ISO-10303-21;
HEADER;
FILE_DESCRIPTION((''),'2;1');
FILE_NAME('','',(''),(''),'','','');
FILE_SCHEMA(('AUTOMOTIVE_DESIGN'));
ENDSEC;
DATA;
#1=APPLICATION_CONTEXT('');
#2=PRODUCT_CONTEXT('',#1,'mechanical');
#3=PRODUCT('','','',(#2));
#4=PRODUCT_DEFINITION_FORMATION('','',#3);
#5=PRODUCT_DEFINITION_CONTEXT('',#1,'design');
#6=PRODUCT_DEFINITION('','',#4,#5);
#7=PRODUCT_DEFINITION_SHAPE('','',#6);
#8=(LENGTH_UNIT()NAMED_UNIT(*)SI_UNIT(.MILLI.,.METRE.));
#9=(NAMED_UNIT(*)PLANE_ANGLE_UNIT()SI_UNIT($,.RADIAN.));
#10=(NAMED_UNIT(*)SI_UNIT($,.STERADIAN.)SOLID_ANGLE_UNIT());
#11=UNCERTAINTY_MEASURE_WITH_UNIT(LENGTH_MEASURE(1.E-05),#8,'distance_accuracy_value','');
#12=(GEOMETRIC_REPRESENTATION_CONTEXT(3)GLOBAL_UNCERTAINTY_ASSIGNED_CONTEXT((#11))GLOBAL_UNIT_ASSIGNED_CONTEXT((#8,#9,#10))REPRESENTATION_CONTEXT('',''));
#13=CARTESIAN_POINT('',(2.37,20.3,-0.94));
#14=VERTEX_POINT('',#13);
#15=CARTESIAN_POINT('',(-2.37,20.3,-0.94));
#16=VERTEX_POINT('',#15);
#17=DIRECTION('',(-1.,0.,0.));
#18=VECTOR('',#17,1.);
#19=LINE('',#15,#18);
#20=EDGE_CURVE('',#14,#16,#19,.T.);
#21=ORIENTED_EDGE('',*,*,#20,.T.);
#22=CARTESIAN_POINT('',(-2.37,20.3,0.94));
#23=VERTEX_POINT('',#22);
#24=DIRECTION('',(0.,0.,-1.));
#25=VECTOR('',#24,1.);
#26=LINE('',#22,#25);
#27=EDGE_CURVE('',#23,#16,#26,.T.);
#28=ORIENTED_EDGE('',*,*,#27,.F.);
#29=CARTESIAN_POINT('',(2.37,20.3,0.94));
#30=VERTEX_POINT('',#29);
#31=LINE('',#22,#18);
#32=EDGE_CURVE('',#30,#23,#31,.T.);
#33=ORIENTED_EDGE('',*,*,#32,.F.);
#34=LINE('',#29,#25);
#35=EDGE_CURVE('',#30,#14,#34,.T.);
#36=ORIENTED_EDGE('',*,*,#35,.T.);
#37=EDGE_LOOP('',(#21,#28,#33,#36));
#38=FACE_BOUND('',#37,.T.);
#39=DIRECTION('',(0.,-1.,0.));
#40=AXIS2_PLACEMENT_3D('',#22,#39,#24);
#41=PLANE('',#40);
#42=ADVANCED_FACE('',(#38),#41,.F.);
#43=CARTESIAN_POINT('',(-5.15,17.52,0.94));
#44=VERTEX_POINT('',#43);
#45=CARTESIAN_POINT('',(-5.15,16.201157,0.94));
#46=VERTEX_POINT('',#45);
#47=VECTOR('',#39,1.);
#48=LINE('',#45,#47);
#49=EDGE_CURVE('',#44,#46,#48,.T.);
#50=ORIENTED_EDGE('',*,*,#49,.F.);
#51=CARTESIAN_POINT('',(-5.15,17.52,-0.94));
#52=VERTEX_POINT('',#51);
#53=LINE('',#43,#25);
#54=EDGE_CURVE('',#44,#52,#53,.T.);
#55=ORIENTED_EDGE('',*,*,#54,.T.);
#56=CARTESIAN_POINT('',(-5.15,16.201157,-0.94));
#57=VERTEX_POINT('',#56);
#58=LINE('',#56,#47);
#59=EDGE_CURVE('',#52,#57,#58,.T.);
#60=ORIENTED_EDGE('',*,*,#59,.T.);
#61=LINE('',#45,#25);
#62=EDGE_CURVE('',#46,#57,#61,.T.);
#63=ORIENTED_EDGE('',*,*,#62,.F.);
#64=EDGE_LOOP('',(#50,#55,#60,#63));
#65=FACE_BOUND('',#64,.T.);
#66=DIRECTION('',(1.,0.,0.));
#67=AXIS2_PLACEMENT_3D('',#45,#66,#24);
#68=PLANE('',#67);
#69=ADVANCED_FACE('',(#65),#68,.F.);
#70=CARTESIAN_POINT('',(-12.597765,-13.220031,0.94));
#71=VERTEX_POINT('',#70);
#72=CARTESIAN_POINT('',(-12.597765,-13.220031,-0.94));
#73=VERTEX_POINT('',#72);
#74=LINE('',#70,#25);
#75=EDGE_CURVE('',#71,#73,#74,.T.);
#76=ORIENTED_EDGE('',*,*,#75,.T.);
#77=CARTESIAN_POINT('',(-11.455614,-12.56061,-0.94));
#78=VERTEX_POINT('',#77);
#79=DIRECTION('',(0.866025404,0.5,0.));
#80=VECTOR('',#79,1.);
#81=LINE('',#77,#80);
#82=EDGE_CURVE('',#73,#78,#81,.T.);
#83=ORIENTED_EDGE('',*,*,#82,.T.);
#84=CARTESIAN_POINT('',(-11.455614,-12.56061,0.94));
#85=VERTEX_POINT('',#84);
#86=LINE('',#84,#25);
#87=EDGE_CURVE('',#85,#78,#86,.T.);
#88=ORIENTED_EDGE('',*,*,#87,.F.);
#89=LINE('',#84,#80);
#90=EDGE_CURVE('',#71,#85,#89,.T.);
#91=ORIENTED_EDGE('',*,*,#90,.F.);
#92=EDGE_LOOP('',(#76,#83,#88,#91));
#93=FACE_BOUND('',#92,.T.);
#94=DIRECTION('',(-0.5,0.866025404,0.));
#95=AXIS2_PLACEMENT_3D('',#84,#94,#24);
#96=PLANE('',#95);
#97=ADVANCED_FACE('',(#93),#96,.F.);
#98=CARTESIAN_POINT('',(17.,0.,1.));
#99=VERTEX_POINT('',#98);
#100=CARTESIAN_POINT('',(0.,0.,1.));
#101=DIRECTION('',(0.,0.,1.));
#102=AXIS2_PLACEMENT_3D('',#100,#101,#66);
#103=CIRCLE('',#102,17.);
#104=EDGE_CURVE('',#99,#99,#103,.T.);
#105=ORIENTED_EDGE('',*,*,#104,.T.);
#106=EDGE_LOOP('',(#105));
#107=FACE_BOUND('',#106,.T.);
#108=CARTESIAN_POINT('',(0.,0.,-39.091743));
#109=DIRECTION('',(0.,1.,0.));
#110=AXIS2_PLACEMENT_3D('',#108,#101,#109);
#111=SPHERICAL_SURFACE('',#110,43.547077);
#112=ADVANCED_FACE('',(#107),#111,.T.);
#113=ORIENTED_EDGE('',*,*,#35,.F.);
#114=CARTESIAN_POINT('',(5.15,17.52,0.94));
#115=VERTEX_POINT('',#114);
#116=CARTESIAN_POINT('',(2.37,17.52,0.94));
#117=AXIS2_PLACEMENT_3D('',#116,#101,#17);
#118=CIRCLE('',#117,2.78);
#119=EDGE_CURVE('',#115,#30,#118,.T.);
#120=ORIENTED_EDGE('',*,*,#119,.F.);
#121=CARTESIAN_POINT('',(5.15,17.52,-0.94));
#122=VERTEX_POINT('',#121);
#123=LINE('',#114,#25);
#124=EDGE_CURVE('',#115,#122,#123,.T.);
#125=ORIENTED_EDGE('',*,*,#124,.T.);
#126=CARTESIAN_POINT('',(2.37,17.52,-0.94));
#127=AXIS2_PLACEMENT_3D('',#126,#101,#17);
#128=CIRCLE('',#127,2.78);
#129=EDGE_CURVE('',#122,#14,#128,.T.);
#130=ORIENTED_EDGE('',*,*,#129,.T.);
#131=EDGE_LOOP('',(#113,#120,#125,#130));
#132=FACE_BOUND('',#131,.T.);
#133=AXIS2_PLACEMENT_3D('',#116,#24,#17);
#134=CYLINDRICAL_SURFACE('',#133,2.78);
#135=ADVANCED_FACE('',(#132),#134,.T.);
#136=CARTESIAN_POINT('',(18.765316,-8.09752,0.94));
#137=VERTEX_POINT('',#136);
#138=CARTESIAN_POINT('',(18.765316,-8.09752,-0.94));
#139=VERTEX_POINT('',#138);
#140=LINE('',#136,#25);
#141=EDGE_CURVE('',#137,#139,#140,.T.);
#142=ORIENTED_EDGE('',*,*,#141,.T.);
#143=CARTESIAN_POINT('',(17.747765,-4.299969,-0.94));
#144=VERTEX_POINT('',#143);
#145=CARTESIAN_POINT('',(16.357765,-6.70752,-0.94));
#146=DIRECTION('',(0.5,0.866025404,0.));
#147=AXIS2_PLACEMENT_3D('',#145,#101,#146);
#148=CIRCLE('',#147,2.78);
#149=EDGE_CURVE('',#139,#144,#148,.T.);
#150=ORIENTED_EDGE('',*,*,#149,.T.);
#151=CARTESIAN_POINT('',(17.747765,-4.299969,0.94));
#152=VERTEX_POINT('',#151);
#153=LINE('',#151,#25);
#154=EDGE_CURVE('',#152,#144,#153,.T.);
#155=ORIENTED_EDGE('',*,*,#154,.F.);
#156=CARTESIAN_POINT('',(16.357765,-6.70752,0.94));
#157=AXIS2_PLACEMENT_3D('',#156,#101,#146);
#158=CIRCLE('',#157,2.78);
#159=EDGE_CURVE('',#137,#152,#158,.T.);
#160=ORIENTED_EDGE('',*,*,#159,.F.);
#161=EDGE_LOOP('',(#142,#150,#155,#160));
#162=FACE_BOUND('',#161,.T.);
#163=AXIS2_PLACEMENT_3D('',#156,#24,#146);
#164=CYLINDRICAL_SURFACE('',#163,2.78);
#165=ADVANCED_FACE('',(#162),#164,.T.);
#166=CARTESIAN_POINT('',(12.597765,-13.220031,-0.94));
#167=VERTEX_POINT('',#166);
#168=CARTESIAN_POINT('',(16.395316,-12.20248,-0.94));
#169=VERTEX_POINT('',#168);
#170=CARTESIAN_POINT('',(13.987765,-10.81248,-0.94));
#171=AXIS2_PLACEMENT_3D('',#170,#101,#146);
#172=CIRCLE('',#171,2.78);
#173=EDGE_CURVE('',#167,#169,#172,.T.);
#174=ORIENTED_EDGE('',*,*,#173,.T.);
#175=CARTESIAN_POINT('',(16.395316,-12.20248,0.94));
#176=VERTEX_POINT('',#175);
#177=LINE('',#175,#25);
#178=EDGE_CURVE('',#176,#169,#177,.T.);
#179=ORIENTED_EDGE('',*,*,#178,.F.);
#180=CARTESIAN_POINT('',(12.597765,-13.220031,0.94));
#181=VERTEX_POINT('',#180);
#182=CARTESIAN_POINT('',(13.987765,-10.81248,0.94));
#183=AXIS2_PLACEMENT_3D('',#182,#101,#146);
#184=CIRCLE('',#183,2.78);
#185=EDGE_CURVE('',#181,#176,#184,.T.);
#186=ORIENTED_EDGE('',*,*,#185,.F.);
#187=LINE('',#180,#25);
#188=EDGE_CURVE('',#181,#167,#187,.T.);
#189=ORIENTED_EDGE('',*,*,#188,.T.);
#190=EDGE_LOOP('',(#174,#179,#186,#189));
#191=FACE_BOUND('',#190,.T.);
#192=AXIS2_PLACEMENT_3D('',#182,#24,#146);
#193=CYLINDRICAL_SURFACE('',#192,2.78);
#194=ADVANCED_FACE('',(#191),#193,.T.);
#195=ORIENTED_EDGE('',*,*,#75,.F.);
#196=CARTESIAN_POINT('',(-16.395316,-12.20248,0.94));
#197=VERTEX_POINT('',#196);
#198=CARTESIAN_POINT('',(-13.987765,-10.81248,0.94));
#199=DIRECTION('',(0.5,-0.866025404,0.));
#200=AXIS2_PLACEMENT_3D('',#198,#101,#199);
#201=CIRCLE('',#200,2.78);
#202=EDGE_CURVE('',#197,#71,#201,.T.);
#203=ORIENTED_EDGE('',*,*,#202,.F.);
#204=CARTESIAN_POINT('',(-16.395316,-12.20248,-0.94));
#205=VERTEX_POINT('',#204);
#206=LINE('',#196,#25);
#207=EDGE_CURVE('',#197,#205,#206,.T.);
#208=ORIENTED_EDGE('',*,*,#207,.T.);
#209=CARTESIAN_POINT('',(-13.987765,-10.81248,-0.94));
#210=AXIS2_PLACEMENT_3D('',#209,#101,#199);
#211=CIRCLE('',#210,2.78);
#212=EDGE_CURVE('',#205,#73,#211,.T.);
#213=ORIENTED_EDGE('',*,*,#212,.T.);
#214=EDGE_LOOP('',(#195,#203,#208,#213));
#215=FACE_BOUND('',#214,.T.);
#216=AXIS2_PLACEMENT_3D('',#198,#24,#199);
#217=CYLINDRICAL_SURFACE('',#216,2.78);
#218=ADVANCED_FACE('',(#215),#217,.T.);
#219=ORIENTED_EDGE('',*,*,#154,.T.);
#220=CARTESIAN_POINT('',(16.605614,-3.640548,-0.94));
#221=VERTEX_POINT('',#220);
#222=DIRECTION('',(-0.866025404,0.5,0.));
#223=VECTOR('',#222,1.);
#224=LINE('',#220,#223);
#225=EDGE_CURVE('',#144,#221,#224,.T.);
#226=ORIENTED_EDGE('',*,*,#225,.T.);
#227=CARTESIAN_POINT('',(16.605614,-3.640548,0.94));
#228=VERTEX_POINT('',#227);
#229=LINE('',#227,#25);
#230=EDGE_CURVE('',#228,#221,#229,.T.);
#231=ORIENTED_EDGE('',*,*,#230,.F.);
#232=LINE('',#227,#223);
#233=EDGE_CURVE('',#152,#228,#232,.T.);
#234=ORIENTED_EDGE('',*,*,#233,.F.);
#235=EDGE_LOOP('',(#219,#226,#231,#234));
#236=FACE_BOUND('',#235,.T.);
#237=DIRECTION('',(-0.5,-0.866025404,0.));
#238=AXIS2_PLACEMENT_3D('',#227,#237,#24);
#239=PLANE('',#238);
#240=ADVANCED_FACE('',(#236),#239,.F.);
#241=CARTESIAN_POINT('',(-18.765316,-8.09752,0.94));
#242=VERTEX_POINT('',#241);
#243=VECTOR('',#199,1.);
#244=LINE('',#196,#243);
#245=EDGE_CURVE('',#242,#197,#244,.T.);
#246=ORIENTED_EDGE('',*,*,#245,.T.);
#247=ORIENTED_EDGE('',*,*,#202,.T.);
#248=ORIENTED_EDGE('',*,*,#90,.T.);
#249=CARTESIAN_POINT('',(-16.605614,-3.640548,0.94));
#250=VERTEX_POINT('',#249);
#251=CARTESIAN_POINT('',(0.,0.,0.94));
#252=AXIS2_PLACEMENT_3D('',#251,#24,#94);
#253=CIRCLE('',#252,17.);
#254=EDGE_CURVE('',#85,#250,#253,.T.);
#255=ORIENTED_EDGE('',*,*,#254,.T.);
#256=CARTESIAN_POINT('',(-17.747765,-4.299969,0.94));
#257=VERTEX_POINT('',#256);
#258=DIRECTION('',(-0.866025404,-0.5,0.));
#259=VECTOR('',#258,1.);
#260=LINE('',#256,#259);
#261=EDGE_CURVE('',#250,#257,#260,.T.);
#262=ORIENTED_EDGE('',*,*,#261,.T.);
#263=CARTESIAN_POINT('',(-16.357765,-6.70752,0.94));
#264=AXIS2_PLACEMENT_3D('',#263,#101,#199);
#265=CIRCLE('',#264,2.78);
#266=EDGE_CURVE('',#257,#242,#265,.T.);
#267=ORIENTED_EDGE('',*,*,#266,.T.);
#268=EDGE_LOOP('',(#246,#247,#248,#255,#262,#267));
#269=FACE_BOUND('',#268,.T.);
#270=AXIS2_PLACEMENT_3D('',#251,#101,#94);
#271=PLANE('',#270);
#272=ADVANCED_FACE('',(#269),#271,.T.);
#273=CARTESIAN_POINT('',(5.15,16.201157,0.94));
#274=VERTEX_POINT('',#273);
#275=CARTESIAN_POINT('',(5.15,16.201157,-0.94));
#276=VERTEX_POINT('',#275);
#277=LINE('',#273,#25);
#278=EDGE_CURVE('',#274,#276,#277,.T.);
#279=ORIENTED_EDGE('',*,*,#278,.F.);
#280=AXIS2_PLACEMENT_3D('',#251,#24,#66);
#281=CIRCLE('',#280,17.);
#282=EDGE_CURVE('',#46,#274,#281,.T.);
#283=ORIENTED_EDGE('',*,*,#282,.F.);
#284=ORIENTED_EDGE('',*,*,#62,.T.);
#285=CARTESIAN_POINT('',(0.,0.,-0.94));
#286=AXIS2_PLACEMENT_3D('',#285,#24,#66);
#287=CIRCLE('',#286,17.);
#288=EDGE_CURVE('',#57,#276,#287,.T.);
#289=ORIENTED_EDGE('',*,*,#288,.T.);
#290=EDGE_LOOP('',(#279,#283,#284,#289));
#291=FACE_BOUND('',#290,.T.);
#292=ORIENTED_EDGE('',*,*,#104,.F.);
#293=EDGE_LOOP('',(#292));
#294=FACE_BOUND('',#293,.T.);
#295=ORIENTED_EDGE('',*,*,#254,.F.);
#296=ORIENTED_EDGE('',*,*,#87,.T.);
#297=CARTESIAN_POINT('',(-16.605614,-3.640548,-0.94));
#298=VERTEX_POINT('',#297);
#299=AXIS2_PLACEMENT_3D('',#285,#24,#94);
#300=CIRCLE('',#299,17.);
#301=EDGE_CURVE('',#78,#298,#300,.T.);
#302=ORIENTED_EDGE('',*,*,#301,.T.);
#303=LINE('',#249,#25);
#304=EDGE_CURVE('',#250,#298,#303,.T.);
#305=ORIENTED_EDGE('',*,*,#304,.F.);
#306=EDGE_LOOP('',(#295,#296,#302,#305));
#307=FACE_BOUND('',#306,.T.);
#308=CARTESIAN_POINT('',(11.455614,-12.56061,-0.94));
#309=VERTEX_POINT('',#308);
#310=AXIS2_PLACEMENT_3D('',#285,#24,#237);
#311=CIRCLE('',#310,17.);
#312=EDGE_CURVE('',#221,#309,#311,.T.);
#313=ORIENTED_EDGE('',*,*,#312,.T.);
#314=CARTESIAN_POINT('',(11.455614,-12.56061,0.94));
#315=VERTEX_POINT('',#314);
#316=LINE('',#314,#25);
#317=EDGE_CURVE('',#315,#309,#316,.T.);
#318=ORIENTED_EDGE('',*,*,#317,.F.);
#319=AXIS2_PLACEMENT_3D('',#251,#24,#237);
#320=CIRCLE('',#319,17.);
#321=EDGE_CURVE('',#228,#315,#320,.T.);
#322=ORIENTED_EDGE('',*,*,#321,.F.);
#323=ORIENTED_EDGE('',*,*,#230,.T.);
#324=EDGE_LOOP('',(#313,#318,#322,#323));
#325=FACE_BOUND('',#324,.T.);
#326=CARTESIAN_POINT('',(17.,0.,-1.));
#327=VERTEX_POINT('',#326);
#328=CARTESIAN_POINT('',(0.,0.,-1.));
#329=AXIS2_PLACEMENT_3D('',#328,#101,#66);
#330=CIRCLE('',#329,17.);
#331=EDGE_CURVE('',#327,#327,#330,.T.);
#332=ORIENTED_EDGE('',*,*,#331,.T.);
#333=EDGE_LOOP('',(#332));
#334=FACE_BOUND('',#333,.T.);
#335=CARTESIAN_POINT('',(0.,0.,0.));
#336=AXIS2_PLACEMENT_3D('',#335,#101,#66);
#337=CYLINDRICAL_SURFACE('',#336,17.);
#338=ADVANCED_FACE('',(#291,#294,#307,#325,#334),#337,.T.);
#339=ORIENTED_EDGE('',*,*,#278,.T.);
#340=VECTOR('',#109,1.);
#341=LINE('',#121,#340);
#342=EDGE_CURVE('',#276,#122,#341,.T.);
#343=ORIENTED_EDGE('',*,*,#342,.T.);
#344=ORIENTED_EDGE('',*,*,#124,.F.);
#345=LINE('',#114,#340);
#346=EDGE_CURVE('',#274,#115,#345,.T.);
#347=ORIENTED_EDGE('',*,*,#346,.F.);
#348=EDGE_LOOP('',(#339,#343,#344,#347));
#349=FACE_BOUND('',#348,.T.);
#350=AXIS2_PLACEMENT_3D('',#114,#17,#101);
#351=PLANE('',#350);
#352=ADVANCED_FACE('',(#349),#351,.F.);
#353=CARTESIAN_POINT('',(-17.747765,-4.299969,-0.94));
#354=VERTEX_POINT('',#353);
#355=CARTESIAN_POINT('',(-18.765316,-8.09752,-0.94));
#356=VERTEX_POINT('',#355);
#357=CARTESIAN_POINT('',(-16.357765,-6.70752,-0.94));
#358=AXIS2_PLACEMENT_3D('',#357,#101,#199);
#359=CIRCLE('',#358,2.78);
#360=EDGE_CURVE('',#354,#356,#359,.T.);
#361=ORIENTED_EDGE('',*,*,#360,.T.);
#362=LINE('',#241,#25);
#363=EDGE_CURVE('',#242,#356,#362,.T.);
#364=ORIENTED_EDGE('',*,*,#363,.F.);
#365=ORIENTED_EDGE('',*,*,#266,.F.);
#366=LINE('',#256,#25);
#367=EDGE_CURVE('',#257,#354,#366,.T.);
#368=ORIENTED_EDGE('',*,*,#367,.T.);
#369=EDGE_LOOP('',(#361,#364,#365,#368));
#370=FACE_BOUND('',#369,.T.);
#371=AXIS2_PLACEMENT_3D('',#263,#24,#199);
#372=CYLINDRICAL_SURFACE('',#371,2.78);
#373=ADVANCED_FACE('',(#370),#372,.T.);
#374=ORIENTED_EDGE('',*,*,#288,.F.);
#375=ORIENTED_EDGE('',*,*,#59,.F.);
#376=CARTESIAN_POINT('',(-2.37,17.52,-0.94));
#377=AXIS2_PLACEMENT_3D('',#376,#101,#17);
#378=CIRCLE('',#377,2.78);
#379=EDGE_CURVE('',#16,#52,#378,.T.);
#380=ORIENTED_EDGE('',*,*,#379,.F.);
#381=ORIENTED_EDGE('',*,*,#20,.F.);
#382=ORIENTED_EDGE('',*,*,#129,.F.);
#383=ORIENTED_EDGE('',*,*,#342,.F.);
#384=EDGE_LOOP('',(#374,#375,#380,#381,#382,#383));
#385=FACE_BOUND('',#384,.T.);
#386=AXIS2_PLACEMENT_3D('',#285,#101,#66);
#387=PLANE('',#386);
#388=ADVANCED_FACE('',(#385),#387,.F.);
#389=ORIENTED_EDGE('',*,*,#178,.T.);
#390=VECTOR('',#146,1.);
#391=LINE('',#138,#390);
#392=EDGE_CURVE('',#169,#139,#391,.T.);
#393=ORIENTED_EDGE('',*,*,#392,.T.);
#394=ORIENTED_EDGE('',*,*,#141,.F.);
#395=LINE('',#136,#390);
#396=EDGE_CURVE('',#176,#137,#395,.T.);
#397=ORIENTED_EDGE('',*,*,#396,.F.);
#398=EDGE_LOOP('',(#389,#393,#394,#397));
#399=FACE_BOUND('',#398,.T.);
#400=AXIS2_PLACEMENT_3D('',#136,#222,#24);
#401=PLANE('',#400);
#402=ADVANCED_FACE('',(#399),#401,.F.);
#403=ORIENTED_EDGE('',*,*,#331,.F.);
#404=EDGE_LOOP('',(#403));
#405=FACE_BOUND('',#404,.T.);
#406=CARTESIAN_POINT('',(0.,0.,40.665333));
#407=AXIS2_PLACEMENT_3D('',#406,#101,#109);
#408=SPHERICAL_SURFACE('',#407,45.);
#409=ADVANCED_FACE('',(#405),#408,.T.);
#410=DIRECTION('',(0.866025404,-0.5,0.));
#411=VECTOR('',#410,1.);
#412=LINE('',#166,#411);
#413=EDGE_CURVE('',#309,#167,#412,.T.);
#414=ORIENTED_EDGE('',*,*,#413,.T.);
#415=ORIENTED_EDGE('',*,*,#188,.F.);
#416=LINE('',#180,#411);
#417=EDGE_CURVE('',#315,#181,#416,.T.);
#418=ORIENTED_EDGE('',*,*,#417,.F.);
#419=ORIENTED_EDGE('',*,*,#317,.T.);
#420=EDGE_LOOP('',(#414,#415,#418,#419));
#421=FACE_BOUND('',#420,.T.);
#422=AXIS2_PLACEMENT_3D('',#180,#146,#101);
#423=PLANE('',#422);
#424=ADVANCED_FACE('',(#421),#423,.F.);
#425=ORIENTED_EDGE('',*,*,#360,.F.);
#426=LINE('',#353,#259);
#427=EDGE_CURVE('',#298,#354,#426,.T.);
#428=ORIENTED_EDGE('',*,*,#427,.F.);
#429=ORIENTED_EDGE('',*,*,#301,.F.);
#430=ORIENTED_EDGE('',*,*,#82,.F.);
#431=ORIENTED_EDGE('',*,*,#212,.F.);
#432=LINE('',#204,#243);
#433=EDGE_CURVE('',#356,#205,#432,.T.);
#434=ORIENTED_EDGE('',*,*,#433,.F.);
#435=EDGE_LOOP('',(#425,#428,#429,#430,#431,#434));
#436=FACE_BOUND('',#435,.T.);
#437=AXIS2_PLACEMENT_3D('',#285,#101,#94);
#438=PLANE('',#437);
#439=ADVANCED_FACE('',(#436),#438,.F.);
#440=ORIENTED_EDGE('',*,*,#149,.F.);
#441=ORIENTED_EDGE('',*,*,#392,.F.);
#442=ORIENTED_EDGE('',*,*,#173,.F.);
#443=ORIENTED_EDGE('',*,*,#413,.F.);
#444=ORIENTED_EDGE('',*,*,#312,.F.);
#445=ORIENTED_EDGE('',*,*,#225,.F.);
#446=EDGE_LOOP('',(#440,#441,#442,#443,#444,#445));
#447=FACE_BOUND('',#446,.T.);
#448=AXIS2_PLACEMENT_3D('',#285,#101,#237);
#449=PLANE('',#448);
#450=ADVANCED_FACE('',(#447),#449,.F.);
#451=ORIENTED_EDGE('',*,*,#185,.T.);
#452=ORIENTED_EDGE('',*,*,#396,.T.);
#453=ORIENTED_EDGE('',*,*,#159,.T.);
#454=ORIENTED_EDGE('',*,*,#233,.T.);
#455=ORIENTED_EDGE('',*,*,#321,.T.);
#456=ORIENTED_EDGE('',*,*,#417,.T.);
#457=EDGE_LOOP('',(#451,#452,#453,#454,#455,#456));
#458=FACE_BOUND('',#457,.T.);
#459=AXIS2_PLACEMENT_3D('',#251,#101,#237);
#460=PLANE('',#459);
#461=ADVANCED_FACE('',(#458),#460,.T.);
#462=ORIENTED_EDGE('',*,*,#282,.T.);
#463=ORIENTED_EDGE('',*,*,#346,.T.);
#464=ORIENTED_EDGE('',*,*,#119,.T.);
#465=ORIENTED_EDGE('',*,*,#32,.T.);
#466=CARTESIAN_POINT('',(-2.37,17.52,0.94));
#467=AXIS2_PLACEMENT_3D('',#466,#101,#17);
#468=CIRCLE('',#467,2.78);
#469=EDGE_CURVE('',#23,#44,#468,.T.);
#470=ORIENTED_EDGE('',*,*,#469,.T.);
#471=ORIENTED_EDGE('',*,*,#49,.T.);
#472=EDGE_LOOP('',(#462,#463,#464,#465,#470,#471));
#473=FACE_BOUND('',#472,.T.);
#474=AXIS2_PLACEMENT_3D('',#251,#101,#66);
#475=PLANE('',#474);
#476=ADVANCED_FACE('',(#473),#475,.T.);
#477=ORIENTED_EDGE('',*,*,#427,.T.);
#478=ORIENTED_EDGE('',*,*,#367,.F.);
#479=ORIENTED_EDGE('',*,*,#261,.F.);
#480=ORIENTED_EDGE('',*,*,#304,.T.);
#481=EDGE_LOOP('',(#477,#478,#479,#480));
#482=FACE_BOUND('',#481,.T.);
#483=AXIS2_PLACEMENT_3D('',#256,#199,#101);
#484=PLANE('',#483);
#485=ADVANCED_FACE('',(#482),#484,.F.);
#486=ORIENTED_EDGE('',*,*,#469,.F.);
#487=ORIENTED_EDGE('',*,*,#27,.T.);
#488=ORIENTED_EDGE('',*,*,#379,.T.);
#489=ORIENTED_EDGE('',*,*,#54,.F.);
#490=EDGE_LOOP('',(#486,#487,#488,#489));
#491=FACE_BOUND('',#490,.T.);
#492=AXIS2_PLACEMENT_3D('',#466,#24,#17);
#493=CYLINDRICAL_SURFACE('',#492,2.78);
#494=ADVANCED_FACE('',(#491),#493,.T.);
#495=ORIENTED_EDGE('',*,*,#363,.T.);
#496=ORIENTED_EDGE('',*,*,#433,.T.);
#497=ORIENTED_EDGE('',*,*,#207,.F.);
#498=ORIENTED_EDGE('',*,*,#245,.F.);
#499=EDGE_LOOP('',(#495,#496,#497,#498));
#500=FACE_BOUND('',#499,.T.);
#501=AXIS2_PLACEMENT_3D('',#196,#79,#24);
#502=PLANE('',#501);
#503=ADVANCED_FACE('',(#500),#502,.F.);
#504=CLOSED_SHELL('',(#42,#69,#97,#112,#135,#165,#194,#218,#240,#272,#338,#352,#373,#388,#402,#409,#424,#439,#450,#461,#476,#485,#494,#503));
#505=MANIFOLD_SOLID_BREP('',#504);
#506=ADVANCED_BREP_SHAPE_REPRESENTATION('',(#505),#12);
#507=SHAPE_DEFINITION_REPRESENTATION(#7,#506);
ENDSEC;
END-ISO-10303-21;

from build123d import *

# Parameters (mm, degrees)
BOSS_EXTRUDE1_DEPTH = 0.94
CIRPATTERN1_COUNT   = 3


with BuildPart() as part:
    # Sketch2 → Revolve1 (revolve)
    with BuildSketch(Plane(origin=(0, 0, 0), x_dir=(0, 0, -1), z_dir=(1, 0, 0))):
        with BuildLine():
            Line((-1, 17), (1, 17))
            ThreePointArc((1, 17), (3.49313133, 8.661985943), (4.334666688, 0))
            Line((4.334666688, 0), (-4.455333312, 0))
            ThreePointArc((-4.455333312, 0), (-3.58275786, 8.673801478), (-1, 17))
        make_face()
    revolve(axis=Axis((0, 0, 0), (0, 0, -1)))

    # Sketch3 → Boss-Extrude1 (add, symmetric)
    with BuildSketch(Plane.XY):
        with BuildLine():
            Line((-5.15, 16.201157366), (-5.15, 17.52))
            ThreePointArc((-5.15, 17.52), (-4.335756852, 19.485756852), (-2.37, 20.3))
            Line((-2.37, 20.3), (2.37, 20.3))
            ThreePointArc((2.37, 20.3), (4.335756852, 19.485756852), (5.15, 17.52))
            Line((5.15, 17.52), (5.15, 16.201157366))
            ThreePointArc((5.15, 16.201157366), (0, 17), (-5.15, 16.201157366))
        make_face()
    boss_extrude1 = extrude(amount=BOSS_EXTRUDE1_DEPTH, both=True)

    # CirPattern1: Boss-Extrude1 ×3 about axis
    cirpattern1_axis = Axis((0, 0, 0), (0, 0, 1))
    for i in range(1, CIRPATTERN1_COUNT):
        add(boss_extrude1.rotate(cirpattern1_axis, i * 360 / CIRPATTERN1_COUNT))


solid = part.part
